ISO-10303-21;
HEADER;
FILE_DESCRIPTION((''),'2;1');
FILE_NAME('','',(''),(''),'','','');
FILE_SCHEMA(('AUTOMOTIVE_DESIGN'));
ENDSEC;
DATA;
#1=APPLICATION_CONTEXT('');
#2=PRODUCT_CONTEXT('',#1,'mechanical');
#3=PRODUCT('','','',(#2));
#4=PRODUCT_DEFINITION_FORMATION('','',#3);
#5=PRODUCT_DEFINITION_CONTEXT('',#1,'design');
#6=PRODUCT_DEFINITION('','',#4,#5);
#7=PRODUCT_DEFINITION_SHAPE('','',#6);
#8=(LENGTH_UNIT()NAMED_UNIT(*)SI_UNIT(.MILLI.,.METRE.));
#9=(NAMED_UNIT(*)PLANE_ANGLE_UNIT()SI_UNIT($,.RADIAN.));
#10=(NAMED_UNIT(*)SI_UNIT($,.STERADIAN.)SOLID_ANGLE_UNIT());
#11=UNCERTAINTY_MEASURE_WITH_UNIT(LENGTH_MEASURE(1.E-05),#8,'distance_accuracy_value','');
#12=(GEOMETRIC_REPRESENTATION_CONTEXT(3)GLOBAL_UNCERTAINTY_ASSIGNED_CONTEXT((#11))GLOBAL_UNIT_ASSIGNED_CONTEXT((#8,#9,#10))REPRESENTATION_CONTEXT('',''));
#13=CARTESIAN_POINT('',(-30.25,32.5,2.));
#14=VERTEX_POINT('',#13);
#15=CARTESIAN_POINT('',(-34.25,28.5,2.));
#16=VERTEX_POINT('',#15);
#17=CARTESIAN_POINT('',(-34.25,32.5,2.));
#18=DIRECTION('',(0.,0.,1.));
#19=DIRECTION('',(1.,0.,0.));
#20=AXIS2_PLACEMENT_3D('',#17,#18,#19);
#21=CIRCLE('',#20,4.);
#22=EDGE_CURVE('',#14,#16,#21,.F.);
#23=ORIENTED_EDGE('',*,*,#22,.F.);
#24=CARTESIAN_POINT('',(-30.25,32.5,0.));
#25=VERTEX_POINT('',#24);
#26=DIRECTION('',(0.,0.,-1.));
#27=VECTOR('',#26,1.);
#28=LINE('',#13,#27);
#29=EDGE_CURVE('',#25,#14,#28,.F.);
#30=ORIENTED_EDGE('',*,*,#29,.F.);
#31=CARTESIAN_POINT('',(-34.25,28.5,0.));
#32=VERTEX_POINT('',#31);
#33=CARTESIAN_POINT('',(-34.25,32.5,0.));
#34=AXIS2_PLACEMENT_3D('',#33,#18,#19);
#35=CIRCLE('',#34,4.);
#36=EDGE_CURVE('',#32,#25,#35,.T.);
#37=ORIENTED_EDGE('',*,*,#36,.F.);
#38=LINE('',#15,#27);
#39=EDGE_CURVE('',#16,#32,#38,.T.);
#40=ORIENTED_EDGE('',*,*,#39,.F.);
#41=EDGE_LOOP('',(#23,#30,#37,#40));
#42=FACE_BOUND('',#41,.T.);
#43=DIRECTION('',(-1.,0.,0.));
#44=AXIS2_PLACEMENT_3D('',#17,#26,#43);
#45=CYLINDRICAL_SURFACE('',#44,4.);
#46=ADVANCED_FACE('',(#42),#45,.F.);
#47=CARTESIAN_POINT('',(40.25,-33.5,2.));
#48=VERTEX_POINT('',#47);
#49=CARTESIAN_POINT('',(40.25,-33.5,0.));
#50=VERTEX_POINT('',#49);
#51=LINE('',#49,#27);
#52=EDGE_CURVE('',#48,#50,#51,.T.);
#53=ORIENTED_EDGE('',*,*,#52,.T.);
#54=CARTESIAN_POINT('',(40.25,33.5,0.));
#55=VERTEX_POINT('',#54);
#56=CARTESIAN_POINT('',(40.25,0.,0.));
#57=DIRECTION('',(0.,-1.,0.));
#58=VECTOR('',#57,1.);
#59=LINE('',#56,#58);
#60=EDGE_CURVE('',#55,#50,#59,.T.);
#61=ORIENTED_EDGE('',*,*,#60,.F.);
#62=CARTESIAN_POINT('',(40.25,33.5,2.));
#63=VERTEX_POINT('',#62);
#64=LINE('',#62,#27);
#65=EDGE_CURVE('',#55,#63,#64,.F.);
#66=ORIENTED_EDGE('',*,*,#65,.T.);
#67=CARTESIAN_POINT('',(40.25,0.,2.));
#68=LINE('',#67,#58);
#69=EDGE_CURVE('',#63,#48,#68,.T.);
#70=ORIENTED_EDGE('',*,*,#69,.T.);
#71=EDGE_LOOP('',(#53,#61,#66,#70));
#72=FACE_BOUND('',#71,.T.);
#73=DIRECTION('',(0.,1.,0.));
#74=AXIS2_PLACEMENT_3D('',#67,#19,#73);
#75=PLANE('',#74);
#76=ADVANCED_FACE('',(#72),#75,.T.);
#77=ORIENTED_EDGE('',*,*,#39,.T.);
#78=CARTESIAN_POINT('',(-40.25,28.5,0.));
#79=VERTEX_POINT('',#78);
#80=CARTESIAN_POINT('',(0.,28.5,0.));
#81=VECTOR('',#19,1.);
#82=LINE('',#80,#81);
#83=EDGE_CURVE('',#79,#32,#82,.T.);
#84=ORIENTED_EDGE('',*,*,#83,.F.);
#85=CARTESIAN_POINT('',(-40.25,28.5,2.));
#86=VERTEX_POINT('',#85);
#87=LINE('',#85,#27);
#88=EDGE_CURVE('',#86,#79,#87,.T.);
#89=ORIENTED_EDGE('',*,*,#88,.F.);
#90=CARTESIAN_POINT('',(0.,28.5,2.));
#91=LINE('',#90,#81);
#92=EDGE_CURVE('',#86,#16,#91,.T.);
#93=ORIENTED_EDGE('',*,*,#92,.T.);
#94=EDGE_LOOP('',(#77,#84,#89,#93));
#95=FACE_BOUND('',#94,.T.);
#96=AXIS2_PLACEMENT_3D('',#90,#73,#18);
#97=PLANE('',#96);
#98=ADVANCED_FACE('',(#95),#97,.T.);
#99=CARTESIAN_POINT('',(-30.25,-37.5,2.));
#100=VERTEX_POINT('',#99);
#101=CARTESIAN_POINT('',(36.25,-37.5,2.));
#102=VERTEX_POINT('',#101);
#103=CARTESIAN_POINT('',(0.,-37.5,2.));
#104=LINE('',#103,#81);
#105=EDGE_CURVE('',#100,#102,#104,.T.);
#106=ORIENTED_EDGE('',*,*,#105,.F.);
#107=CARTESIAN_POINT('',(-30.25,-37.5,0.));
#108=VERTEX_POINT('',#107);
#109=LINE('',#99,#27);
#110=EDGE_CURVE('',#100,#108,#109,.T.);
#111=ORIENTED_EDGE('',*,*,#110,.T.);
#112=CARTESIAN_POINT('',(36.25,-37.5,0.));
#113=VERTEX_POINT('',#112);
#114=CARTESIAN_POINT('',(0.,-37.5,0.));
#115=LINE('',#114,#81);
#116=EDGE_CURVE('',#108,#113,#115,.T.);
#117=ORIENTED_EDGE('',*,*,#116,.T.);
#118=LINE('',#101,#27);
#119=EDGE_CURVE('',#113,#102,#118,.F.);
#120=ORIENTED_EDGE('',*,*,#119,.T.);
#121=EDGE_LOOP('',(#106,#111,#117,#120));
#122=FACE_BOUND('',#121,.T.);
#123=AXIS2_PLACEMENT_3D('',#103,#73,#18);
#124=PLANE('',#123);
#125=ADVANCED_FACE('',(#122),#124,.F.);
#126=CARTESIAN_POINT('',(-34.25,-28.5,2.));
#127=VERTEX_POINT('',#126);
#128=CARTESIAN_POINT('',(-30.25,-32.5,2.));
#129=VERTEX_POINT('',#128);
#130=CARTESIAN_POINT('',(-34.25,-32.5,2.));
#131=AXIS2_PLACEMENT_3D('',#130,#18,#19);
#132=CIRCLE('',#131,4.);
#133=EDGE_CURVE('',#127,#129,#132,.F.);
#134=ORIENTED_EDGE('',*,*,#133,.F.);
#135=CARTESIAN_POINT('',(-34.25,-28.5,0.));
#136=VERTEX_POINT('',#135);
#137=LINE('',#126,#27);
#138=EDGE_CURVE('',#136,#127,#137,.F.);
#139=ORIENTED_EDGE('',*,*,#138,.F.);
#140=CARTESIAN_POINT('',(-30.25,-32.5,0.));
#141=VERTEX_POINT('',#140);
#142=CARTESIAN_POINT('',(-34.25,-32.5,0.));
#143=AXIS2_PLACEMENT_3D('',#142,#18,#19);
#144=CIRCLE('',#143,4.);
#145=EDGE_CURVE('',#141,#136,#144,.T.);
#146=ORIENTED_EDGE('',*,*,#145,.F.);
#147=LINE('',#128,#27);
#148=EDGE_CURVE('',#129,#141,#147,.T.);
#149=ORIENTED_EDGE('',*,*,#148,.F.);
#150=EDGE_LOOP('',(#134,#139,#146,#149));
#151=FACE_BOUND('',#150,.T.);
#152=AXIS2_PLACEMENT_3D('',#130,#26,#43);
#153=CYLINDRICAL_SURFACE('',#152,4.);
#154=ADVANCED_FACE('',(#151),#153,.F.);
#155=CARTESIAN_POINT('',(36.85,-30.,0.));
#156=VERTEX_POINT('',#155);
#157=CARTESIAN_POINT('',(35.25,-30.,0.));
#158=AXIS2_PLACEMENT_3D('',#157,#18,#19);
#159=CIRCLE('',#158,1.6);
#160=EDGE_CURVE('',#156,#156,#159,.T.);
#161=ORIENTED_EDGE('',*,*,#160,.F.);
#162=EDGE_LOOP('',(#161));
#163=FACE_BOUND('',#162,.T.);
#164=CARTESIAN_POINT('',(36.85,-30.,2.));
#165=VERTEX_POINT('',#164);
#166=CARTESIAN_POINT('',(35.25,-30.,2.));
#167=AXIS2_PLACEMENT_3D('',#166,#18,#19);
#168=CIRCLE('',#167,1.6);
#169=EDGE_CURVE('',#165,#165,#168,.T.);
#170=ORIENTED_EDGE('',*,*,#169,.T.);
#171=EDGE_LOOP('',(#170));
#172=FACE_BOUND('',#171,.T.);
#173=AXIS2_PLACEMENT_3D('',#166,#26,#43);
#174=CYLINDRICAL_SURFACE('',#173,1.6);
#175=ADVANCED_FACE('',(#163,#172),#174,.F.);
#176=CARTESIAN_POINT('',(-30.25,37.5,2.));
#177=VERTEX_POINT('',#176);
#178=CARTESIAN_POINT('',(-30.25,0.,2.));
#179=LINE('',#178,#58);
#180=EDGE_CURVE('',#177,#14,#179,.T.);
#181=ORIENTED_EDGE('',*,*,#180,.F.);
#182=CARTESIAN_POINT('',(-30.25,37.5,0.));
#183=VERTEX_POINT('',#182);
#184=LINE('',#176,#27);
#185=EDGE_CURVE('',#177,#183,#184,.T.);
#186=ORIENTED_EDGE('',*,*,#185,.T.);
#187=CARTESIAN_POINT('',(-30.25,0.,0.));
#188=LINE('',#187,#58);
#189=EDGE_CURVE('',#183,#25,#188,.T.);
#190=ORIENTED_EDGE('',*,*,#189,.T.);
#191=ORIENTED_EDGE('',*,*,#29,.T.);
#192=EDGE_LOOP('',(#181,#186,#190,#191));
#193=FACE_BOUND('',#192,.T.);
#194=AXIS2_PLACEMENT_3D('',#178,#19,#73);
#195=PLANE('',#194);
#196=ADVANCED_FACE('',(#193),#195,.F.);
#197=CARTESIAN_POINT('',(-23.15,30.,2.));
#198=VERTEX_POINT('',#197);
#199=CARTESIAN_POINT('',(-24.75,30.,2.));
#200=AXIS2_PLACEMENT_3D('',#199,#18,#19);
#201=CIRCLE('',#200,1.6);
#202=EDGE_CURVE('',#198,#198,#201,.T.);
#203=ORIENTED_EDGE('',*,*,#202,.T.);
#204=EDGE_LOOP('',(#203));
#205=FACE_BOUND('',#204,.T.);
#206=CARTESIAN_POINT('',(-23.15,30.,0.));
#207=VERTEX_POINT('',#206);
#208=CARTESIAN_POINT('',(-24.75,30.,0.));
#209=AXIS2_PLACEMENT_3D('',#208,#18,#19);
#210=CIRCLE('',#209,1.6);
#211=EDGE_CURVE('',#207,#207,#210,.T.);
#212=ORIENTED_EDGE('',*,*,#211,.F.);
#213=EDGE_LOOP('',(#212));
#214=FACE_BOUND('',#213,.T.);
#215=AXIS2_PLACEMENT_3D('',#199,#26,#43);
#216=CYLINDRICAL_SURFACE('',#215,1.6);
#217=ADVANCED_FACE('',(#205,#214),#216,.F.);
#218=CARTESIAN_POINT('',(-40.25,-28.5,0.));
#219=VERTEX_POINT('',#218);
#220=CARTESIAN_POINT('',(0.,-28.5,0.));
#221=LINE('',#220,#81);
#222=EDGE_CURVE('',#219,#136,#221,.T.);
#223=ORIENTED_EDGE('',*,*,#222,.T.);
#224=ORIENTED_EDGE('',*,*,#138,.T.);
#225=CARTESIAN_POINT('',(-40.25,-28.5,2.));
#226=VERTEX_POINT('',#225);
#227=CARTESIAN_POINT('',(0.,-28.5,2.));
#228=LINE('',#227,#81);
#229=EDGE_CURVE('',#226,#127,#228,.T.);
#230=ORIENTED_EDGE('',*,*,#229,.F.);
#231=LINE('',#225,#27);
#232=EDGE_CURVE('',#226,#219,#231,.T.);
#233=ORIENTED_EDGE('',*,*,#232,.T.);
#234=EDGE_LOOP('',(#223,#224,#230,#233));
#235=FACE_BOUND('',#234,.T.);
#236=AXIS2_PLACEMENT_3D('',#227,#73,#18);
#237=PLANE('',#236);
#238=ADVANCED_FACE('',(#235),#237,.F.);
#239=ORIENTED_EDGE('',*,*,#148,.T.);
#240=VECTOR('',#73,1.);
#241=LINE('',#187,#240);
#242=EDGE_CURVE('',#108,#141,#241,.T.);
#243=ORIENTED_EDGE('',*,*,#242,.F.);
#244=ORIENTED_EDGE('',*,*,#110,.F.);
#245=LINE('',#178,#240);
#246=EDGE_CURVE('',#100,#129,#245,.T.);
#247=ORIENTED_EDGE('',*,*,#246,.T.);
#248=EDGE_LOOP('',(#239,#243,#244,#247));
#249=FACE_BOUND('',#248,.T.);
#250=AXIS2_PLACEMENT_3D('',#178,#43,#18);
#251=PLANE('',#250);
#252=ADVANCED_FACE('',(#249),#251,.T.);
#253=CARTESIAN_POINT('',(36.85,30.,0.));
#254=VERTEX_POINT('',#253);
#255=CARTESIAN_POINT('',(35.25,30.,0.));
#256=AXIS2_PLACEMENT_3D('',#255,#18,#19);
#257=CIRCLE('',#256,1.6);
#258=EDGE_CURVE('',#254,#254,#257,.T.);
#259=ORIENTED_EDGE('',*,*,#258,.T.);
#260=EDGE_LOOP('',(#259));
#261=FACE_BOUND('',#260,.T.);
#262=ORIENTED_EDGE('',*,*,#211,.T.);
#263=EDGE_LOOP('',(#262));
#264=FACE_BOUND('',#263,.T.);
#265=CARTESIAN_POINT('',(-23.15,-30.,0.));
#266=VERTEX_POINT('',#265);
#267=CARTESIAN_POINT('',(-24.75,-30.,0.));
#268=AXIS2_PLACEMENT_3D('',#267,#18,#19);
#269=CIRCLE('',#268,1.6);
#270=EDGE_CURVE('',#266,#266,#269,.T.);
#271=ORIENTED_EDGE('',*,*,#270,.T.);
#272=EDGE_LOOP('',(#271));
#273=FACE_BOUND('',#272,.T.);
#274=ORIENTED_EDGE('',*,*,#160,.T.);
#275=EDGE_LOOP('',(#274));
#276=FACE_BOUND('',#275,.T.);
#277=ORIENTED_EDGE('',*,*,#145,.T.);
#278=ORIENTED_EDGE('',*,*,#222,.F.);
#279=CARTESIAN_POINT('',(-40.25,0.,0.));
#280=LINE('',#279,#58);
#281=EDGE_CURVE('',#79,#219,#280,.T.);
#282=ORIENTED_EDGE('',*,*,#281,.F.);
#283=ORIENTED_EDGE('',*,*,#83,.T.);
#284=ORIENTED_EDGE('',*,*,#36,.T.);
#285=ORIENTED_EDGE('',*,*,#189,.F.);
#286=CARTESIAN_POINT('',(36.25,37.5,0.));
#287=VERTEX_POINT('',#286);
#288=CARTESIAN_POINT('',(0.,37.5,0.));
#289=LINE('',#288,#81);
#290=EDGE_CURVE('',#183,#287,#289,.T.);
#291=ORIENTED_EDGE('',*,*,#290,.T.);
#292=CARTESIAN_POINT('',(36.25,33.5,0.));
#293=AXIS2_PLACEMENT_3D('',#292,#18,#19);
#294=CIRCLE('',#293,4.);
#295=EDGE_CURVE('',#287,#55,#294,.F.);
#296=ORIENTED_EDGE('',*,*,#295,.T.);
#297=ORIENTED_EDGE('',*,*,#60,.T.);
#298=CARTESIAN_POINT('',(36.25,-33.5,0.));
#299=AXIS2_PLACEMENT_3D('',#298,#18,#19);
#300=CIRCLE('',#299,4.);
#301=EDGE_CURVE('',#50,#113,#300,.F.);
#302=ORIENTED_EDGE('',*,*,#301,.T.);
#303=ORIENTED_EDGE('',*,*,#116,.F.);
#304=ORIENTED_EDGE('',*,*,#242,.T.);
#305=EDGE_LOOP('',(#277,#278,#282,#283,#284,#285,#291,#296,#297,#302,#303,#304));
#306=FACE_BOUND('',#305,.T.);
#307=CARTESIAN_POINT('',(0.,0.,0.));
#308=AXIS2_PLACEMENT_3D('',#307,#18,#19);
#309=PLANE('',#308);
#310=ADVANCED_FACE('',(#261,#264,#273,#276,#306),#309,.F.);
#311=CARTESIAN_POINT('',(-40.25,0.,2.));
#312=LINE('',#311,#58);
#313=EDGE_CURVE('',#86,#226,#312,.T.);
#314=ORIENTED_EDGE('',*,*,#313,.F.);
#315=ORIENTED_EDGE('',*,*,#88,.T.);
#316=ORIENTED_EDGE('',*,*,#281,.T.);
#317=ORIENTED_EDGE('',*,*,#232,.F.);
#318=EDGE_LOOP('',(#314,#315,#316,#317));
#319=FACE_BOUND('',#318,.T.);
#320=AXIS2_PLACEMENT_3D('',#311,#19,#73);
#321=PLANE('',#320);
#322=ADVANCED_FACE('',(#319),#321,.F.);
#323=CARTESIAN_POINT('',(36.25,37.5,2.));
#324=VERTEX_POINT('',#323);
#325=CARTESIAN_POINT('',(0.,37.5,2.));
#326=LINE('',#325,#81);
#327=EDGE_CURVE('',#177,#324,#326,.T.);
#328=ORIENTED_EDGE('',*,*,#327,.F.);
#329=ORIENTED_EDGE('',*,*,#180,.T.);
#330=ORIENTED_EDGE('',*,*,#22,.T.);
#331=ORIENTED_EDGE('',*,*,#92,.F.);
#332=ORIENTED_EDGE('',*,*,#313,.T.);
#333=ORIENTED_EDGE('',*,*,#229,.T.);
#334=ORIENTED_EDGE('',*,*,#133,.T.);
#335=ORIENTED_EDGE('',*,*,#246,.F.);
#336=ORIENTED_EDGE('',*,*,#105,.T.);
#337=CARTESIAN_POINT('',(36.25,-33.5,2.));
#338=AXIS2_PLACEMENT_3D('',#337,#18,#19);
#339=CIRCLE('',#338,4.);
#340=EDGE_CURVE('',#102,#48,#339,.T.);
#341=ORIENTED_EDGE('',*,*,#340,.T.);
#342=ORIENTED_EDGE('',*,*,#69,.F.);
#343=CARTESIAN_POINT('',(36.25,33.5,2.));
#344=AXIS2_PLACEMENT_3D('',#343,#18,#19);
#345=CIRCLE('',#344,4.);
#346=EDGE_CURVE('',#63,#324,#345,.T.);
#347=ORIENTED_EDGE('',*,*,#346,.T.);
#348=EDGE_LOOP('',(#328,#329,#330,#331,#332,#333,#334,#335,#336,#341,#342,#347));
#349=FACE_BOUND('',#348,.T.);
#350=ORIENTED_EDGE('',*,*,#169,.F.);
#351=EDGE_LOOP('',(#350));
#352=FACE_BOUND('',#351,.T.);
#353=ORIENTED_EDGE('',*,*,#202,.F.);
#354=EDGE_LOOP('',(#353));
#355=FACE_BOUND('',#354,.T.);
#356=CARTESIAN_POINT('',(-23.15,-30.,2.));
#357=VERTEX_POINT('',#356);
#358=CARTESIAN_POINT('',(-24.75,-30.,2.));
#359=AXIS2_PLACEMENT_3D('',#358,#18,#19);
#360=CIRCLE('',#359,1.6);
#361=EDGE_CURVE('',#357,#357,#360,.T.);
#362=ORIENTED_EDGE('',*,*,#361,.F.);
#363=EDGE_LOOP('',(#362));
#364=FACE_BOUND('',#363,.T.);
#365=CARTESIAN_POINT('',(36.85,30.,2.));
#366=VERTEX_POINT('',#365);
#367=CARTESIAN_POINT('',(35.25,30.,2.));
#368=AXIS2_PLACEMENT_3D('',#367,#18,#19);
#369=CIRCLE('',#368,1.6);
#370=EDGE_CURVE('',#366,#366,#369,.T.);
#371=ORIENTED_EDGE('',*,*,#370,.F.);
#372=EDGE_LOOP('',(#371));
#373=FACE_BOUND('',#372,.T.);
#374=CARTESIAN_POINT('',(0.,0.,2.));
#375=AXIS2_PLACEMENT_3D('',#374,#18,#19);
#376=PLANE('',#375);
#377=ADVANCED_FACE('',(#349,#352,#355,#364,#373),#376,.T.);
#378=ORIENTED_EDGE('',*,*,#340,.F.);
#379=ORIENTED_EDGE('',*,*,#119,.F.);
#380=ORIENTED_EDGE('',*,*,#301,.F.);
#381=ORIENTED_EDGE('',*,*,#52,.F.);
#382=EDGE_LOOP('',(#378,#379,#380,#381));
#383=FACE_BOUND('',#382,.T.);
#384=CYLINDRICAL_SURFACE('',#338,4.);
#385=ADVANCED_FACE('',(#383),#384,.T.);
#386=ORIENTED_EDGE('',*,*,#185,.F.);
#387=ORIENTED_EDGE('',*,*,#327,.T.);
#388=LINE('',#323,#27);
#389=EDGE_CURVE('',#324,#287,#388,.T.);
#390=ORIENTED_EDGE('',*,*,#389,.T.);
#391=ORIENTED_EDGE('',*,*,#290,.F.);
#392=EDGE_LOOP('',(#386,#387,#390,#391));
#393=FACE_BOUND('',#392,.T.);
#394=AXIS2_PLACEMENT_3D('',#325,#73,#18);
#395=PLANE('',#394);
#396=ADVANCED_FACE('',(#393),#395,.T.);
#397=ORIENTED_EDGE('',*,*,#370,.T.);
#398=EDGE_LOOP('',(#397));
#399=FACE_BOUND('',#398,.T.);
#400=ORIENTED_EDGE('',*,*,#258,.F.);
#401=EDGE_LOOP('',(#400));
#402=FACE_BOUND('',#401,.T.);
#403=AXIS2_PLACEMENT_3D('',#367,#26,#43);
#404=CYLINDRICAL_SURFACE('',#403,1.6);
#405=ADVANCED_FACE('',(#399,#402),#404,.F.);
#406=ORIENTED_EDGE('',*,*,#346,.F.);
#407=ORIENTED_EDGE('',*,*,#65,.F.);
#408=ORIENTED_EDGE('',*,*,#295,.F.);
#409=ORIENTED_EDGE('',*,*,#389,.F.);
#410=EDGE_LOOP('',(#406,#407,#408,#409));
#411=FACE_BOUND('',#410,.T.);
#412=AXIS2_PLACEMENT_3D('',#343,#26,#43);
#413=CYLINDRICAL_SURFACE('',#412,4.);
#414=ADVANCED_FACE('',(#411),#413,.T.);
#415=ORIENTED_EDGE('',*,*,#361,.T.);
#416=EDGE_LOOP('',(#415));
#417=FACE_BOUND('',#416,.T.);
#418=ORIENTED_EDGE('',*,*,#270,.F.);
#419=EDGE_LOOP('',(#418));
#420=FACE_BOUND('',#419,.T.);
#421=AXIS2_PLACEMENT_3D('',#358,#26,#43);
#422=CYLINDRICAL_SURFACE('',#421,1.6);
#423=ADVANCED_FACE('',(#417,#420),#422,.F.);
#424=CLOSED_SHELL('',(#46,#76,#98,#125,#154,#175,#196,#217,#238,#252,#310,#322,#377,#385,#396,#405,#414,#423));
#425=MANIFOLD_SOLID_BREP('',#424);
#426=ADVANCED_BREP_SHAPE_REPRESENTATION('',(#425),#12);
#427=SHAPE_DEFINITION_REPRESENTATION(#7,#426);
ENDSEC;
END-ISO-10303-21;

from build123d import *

# Parameters (mm, degrees)
SKETCH_1_R      = 1.6
EXTRUDE_1_DEPTH = 2
FILLET_1_R      = 4


with BuildPart() as part:
    # ｽｹｯﾁ1 → ﾎﾞｽ - 押し出し1 (new body)
    with BuildSketch(Plane.XY):
        Polygon((40.25, 37.5), (-30.25, 37.5), (-30.25, 28.5), (-40.25, 28.5), (-40.25, -28.5), (-30.25, -28.5), (-30.25, -37.5), (40.25, -37.5), align=None)
        with Locations((-24.75, -30)):
            Circle(SKETCH_1_R, mode=Mode.SUBTRACT)
        with Locations((35.25, -30)):
            Circle(SKETCH_1_R, mode=Mode.SUBTRACT)
        with Locations((-24.75, 30)):
            Circle(SKETCH_1_R, mode=Mode.SUBTRACT)
        with Locations((35.25, 30)):
            Circle(SKETCH_1_R, mode=Mode.SUBTRACT)
    extrude(amount=EXTRUDE_1_DEPTH)

    # ﾌｨﾚｯﾄ1
    fillet_1_edges = [part.edges().sort_by_distance(p)[0] for p in [
        (-30.25, -28.5, 1),
        (-30.25, 28.5, 1),
        (40.25, 37.5, 1),
        (40.25, -37.5, 1),
    ]]
    fillet(fillet_1_edges, radius=FILLET_1_R)


solid = part.part
